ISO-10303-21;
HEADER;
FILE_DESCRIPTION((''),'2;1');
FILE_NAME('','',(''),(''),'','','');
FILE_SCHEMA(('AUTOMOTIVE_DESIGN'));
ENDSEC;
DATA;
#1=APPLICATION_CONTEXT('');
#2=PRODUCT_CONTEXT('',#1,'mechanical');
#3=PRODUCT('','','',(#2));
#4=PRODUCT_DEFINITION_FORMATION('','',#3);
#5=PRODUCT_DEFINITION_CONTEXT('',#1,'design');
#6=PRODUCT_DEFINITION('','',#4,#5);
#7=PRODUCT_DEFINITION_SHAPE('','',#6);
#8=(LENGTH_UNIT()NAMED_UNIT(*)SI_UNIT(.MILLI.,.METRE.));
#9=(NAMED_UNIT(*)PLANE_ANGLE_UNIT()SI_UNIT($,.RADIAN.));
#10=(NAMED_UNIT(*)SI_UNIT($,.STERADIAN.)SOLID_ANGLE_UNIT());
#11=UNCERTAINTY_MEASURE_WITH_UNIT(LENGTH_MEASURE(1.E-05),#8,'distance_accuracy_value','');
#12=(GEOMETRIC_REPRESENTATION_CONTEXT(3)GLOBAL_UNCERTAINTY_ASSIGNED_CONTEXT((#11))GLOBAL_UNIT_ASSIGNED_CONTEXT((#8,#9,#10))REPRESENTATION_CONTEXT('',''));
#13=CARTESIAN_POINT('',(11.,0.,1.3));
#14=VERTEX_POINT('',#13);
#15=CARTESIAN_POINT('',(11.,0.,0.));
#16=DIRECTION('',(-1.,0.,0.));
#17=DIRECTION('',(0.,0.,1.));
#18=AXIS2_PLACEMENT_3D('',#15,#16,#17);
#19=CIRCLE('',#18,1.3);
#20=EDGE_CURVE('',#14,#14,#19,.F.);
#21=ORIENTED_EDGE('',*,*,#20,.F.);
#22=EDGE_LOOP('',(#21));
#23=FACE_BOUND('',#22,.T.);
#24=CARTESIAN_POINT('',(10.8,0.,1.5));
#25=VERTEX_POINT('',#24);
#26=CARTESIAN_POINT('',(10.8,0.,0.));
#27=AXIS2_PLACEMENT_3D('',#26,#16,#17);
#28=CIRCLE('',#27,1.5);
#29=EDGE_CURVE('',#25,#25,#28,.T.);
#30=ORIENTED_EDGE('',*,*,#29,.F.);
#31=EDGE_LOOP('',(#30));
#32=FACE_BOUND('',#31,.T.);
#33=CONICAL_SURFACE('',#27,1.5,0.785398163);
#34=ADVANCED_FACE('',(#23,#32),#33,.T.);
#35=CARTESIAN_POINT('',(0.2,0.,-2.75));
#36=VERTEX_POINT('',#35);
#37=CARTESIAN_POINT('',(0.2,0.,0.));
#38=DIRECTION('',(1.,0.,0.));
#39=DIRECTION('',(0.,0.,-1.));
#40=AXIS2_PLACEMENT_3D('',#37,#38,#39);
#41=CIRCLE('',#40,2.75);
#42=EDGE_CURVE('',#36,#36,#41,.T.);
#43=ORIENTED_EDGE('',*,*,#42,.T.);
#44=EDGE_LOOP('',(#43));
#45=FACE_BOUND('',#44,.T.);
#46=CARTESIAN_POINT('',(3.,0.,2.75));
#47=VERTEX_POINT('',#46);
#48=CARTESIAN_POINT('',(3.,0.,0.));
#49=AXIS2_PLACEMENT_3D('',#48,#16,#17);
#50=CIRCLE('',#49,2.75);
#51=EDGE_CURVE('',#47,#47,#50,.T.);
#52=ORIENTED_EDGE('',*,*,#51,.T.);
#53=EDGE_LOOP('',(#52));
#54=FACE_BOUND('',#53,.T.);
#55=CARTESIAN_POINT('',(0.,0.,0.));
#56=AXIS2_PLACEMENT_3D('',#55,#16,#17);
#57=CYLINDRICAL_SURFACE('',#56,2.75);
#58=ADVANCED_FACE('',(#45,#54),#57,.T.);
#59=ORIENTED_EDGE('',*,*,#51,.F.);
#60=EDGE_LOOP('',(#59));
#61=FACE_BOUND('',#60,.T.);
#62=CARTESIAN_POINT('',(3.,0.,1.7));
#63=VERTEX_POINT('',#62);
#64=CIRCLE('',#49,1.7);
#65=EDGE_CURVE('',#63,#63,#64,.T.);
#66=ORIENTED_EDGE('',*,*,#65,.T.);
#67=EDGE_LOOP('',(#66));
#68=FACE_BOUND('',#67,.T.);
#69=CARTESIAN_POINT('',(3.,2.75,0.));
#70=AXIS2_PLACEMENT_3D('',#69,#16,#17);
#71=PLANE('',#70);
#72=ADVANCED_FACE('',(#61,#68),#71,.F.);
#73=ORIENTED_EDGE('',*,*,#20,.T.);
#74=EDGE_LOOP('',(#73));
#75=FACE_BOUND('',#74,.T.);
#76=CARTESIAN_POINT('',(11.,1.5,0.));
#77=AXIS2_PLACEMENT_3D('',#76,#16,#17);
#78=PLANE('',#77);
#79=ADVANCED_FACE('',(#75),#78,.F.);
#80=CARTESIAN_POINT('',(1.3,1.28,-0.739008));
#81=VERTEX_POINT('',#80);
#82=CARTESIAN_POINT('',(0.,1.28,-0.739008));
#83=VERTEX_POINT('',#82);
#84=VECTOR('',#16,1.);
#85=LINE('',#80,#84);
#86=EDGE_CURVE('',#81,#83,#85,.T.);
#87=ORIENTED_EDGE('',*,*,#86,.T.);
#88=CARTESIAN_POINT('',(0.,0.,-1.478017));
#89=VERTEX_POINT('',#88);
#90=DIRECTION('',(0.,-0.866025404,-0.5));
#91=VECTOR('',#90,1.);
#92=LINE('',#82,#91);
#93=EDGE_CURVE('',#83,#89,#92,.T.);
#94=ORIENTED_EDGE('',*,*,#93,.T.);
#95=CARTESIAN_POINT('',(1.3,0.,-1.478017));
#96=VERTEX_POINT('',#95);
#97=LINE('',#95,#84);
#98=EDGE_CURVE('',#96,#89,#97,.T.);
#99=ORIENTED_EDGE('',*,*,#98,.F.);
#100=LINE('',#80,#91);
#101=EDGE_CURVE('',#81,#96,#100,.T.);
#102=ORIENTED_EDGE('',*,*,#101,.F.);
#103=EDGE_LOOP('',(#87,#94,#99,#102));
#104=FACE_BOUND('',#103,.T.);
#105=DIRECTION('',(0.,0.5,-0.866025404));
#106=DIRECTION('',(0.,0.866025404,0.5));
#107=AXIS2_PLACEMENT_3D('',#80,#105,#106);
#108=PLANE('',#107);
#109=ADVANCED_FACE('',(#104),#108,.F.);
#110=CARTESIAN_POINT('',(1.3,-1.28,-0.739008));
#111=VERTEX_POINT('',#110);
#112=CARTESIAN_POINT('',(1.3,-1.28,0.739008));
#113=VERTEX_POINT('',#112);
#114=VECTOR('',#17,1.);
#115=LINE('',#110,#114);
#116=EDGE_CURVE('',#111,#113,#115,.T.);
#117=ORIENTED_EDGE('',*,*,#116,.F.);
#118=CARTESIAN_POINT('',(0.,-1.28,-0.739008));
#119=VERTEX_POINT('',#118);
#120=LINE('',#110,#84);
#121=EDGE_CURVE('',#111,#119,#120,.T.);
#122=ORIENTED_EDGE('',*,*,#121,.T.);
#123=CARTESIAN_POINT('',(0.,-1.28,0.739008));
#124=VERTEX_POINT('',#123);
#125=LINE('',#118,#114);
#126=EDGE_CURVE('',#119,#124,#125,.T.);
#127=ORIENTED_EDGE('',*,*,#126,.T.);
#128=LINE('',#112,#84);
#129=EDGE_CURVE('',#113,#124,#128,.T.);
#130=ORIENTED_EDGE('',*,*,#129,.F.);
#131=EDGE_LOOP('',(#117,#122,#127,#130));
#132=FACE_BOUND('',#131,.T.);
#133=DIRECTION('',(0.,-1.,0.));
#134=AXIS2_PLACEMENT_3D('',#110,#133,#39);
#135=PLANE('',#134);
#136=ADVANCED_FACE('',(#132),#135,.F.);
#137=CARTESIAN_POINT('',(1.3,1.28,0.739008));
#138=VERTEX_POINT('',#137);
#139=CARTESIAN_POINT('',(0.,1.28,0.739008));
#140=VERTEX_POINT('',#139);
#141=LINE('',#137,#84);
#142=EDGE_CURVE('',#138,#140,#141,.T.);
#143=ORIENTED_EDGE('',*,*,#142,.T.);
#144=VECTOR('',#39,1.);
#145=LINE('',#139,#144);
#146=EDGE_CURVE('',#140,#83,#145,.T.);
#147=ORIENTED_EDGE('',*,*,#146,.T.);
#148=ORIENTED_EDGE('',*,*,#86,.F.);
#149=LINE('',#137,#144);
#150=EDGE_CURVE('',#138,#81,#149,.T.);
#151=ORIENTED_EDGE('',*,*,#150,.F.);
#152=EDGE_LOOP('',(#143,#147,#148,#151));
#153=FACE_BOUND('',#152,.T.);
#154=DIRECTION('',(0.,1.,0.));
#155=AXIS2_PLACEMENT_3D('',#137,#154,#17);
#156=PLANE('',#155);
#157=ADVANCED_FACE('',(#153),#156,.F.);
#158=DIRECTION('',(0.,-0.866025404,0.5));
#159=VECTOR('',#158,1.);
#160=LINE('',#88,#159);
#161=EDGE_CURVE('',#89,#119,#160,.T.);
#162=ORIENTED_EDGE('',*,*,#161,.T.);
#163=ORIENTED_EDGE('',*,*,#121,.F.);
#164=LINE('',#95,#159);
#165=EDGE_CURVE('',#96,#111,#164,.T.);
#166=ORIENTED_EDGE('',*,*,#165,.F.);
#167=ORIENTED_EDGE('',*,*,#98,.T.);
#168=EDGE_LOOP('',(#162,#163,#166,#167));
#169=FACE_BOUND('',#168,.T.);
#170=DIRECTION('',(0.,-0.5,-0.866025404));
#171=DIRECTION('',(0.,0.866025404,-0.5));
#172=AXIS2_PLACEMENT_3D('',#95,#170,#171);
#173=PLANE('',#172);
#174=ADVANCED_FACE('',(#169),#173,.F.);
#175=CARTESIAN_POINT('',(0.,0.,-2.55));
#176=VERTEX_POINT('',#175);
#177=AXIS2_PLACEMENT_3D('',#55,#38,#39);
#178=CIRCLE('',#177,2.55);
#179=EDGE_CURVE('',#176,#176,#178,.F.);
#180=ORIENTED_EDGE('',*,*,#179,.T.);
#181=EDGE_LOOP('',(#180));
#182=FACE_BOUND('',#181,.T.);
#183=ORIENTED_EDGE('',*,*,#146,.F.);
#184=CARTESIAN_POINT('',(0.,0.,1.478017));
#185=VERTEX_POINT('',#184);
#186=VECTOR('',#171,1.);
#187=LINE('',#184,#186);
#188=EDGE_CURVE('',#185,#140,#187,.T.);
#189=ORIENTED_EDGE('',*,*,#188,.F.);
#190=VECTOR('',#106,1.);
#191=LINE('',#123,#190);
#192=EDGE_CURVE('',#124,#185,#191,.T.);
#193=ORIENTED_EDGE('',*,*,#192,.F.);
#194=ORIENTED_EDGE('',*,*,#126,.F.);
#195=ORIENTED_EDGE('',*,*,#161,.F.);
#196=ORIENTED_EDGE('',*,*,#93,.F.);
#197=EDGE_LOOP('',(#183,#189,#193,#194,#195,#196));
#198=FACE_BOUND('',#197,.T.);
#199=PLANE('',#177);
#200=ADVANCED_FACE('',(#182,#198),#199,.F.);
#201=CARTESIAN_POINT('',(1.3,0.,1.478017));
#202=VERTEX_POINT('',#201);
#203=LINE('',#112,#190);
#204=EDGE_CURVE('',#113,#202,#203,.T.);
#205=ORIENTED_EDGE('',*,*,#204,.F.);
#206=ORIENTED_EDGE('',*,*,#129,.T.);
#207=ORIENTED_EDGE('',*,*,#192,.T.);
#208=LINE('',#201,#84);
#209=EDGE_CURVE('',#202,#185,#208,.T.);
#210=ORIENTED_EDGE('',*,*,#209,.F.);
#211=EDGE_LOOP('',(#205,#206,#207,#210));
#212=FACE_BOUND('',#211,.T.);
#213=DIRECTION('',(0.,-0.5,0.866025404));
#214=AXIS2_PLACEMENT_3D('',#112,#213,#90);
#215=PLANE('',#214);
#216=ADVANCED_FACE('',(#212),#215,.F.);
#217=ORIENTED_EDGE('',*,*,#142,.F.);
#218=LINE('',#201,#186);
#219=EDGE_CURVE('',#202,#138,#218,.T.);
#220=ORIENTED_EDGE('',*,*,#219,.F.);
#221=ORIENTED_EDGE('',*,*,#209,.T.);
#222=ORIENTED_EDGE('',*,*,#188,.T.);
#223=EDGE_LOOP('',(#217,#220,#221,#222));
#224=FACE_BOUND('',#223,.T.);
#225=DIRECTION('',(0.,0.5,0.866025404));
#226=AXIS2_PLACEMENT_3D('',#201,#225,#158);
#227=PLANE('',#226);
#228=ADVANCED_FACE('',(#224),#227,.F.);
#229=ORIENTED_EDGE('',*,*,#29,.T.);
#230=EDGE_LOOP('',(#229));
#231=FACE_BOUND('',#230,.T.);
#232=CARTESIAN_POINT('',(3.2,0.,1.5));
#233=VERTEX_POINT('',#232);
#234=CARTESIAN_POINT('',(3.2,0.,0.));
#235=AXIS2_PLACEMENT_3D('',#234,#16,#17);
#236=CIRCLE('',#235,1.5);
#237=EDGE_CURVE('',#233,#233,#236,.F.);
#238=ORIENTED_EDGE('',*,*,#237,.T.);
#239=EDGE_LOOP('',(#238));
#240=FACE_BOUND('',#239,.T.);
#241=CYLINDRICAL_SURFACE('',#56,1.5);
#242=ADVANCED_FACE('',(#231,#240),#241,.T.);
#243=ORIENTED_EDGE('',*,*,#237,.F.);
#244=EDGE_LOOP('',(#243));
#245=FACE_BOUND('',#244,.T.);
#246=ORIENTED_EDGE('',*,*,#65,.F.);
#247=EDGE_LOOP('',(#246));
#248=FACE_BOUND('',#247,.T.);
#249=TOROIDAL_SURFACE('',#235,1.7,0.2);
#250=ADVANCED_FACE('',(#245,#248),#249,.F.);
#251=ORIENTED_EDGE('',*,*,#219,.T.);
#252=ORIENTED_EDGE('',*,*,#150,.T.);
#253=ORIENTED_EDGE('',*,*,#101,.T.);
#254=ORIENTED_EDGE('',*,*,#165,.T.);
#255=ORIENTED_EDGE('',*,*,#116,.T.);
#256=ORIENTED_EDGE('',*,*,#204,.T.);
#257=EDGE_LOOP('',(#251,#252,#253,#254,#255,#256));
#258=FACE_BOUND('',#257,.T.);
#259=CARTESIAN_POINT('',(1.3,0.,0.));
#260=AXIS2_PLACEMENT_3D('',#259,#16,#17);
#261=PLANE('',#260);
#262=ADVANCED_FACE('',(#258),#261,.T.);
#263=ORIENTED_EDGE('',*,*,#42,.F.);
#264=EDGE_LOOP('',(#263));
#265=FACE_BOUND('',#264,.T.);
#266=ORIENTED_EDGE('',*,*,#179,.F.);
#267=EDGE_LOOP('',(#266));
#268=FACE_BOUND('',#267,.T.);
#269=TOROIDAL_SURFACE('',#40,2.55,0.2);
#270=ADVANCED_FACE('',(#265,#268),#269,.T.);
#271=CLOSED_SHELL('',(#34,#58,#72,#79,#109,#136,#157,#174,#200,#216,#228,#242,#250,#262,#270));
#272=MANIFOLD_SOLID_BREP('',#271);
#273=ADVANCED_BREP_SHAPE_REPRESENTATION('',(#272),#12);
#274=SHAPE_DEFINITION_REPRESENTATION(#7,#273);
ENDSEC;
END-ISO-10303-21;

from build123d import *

# Parameters (mm, degrees)
CHANFREIN1_SIZE         = 0.2
CONG_1_R                = 0.2
ENL_V_MAT_EXTRU_1_DEPTH = 1.3


with BuildPart() as part:
    # Esquisse1 → Révolution1 (revolve)
    with BuildSketch(Plane.XY):
        Polygon((0, 0), (0, 2.75), (3, 2.75), (3, 1.5), (11, 1.5), (11, 0), align=None)
    revolve(axis=Axis((0, 0, 0), (1, 0, 0)))

    # Chanfrein1
    chanfrein1_edges = [part.edges().sort_by_distance(p)[0] for p in [
        (11, -1.5, 0),
    ]]
    chamfer(chanfrein1_edges, length=CHANFREIN1_SIZE)

    # Congé1
    cong_1_edges = [part.edges().sort_by_distance(p)[0] for p in [
        (3, -1.5, 0),
        (0, -2.75, 0),
    ]]
    fillet(cong_1_edges, radius=CONG_1_R)

    # Esquisse2 → Enlèv. mat.-Extru.1 (cut)
    with BuildSketch(Plane.ZY):
        Polygon((0.739008345, -1.28), (1.478016689, 0), (0.739008345, 1.28), (-0.739008345, 1.28), (-1.478016689, 0), (-0.739008345, -1.28), align=None)
    extrude(amount=-ENL_V_MAT_EXTRU_1_DEPTH, mode=Mode.SUBTRACT)


solid = part.part
